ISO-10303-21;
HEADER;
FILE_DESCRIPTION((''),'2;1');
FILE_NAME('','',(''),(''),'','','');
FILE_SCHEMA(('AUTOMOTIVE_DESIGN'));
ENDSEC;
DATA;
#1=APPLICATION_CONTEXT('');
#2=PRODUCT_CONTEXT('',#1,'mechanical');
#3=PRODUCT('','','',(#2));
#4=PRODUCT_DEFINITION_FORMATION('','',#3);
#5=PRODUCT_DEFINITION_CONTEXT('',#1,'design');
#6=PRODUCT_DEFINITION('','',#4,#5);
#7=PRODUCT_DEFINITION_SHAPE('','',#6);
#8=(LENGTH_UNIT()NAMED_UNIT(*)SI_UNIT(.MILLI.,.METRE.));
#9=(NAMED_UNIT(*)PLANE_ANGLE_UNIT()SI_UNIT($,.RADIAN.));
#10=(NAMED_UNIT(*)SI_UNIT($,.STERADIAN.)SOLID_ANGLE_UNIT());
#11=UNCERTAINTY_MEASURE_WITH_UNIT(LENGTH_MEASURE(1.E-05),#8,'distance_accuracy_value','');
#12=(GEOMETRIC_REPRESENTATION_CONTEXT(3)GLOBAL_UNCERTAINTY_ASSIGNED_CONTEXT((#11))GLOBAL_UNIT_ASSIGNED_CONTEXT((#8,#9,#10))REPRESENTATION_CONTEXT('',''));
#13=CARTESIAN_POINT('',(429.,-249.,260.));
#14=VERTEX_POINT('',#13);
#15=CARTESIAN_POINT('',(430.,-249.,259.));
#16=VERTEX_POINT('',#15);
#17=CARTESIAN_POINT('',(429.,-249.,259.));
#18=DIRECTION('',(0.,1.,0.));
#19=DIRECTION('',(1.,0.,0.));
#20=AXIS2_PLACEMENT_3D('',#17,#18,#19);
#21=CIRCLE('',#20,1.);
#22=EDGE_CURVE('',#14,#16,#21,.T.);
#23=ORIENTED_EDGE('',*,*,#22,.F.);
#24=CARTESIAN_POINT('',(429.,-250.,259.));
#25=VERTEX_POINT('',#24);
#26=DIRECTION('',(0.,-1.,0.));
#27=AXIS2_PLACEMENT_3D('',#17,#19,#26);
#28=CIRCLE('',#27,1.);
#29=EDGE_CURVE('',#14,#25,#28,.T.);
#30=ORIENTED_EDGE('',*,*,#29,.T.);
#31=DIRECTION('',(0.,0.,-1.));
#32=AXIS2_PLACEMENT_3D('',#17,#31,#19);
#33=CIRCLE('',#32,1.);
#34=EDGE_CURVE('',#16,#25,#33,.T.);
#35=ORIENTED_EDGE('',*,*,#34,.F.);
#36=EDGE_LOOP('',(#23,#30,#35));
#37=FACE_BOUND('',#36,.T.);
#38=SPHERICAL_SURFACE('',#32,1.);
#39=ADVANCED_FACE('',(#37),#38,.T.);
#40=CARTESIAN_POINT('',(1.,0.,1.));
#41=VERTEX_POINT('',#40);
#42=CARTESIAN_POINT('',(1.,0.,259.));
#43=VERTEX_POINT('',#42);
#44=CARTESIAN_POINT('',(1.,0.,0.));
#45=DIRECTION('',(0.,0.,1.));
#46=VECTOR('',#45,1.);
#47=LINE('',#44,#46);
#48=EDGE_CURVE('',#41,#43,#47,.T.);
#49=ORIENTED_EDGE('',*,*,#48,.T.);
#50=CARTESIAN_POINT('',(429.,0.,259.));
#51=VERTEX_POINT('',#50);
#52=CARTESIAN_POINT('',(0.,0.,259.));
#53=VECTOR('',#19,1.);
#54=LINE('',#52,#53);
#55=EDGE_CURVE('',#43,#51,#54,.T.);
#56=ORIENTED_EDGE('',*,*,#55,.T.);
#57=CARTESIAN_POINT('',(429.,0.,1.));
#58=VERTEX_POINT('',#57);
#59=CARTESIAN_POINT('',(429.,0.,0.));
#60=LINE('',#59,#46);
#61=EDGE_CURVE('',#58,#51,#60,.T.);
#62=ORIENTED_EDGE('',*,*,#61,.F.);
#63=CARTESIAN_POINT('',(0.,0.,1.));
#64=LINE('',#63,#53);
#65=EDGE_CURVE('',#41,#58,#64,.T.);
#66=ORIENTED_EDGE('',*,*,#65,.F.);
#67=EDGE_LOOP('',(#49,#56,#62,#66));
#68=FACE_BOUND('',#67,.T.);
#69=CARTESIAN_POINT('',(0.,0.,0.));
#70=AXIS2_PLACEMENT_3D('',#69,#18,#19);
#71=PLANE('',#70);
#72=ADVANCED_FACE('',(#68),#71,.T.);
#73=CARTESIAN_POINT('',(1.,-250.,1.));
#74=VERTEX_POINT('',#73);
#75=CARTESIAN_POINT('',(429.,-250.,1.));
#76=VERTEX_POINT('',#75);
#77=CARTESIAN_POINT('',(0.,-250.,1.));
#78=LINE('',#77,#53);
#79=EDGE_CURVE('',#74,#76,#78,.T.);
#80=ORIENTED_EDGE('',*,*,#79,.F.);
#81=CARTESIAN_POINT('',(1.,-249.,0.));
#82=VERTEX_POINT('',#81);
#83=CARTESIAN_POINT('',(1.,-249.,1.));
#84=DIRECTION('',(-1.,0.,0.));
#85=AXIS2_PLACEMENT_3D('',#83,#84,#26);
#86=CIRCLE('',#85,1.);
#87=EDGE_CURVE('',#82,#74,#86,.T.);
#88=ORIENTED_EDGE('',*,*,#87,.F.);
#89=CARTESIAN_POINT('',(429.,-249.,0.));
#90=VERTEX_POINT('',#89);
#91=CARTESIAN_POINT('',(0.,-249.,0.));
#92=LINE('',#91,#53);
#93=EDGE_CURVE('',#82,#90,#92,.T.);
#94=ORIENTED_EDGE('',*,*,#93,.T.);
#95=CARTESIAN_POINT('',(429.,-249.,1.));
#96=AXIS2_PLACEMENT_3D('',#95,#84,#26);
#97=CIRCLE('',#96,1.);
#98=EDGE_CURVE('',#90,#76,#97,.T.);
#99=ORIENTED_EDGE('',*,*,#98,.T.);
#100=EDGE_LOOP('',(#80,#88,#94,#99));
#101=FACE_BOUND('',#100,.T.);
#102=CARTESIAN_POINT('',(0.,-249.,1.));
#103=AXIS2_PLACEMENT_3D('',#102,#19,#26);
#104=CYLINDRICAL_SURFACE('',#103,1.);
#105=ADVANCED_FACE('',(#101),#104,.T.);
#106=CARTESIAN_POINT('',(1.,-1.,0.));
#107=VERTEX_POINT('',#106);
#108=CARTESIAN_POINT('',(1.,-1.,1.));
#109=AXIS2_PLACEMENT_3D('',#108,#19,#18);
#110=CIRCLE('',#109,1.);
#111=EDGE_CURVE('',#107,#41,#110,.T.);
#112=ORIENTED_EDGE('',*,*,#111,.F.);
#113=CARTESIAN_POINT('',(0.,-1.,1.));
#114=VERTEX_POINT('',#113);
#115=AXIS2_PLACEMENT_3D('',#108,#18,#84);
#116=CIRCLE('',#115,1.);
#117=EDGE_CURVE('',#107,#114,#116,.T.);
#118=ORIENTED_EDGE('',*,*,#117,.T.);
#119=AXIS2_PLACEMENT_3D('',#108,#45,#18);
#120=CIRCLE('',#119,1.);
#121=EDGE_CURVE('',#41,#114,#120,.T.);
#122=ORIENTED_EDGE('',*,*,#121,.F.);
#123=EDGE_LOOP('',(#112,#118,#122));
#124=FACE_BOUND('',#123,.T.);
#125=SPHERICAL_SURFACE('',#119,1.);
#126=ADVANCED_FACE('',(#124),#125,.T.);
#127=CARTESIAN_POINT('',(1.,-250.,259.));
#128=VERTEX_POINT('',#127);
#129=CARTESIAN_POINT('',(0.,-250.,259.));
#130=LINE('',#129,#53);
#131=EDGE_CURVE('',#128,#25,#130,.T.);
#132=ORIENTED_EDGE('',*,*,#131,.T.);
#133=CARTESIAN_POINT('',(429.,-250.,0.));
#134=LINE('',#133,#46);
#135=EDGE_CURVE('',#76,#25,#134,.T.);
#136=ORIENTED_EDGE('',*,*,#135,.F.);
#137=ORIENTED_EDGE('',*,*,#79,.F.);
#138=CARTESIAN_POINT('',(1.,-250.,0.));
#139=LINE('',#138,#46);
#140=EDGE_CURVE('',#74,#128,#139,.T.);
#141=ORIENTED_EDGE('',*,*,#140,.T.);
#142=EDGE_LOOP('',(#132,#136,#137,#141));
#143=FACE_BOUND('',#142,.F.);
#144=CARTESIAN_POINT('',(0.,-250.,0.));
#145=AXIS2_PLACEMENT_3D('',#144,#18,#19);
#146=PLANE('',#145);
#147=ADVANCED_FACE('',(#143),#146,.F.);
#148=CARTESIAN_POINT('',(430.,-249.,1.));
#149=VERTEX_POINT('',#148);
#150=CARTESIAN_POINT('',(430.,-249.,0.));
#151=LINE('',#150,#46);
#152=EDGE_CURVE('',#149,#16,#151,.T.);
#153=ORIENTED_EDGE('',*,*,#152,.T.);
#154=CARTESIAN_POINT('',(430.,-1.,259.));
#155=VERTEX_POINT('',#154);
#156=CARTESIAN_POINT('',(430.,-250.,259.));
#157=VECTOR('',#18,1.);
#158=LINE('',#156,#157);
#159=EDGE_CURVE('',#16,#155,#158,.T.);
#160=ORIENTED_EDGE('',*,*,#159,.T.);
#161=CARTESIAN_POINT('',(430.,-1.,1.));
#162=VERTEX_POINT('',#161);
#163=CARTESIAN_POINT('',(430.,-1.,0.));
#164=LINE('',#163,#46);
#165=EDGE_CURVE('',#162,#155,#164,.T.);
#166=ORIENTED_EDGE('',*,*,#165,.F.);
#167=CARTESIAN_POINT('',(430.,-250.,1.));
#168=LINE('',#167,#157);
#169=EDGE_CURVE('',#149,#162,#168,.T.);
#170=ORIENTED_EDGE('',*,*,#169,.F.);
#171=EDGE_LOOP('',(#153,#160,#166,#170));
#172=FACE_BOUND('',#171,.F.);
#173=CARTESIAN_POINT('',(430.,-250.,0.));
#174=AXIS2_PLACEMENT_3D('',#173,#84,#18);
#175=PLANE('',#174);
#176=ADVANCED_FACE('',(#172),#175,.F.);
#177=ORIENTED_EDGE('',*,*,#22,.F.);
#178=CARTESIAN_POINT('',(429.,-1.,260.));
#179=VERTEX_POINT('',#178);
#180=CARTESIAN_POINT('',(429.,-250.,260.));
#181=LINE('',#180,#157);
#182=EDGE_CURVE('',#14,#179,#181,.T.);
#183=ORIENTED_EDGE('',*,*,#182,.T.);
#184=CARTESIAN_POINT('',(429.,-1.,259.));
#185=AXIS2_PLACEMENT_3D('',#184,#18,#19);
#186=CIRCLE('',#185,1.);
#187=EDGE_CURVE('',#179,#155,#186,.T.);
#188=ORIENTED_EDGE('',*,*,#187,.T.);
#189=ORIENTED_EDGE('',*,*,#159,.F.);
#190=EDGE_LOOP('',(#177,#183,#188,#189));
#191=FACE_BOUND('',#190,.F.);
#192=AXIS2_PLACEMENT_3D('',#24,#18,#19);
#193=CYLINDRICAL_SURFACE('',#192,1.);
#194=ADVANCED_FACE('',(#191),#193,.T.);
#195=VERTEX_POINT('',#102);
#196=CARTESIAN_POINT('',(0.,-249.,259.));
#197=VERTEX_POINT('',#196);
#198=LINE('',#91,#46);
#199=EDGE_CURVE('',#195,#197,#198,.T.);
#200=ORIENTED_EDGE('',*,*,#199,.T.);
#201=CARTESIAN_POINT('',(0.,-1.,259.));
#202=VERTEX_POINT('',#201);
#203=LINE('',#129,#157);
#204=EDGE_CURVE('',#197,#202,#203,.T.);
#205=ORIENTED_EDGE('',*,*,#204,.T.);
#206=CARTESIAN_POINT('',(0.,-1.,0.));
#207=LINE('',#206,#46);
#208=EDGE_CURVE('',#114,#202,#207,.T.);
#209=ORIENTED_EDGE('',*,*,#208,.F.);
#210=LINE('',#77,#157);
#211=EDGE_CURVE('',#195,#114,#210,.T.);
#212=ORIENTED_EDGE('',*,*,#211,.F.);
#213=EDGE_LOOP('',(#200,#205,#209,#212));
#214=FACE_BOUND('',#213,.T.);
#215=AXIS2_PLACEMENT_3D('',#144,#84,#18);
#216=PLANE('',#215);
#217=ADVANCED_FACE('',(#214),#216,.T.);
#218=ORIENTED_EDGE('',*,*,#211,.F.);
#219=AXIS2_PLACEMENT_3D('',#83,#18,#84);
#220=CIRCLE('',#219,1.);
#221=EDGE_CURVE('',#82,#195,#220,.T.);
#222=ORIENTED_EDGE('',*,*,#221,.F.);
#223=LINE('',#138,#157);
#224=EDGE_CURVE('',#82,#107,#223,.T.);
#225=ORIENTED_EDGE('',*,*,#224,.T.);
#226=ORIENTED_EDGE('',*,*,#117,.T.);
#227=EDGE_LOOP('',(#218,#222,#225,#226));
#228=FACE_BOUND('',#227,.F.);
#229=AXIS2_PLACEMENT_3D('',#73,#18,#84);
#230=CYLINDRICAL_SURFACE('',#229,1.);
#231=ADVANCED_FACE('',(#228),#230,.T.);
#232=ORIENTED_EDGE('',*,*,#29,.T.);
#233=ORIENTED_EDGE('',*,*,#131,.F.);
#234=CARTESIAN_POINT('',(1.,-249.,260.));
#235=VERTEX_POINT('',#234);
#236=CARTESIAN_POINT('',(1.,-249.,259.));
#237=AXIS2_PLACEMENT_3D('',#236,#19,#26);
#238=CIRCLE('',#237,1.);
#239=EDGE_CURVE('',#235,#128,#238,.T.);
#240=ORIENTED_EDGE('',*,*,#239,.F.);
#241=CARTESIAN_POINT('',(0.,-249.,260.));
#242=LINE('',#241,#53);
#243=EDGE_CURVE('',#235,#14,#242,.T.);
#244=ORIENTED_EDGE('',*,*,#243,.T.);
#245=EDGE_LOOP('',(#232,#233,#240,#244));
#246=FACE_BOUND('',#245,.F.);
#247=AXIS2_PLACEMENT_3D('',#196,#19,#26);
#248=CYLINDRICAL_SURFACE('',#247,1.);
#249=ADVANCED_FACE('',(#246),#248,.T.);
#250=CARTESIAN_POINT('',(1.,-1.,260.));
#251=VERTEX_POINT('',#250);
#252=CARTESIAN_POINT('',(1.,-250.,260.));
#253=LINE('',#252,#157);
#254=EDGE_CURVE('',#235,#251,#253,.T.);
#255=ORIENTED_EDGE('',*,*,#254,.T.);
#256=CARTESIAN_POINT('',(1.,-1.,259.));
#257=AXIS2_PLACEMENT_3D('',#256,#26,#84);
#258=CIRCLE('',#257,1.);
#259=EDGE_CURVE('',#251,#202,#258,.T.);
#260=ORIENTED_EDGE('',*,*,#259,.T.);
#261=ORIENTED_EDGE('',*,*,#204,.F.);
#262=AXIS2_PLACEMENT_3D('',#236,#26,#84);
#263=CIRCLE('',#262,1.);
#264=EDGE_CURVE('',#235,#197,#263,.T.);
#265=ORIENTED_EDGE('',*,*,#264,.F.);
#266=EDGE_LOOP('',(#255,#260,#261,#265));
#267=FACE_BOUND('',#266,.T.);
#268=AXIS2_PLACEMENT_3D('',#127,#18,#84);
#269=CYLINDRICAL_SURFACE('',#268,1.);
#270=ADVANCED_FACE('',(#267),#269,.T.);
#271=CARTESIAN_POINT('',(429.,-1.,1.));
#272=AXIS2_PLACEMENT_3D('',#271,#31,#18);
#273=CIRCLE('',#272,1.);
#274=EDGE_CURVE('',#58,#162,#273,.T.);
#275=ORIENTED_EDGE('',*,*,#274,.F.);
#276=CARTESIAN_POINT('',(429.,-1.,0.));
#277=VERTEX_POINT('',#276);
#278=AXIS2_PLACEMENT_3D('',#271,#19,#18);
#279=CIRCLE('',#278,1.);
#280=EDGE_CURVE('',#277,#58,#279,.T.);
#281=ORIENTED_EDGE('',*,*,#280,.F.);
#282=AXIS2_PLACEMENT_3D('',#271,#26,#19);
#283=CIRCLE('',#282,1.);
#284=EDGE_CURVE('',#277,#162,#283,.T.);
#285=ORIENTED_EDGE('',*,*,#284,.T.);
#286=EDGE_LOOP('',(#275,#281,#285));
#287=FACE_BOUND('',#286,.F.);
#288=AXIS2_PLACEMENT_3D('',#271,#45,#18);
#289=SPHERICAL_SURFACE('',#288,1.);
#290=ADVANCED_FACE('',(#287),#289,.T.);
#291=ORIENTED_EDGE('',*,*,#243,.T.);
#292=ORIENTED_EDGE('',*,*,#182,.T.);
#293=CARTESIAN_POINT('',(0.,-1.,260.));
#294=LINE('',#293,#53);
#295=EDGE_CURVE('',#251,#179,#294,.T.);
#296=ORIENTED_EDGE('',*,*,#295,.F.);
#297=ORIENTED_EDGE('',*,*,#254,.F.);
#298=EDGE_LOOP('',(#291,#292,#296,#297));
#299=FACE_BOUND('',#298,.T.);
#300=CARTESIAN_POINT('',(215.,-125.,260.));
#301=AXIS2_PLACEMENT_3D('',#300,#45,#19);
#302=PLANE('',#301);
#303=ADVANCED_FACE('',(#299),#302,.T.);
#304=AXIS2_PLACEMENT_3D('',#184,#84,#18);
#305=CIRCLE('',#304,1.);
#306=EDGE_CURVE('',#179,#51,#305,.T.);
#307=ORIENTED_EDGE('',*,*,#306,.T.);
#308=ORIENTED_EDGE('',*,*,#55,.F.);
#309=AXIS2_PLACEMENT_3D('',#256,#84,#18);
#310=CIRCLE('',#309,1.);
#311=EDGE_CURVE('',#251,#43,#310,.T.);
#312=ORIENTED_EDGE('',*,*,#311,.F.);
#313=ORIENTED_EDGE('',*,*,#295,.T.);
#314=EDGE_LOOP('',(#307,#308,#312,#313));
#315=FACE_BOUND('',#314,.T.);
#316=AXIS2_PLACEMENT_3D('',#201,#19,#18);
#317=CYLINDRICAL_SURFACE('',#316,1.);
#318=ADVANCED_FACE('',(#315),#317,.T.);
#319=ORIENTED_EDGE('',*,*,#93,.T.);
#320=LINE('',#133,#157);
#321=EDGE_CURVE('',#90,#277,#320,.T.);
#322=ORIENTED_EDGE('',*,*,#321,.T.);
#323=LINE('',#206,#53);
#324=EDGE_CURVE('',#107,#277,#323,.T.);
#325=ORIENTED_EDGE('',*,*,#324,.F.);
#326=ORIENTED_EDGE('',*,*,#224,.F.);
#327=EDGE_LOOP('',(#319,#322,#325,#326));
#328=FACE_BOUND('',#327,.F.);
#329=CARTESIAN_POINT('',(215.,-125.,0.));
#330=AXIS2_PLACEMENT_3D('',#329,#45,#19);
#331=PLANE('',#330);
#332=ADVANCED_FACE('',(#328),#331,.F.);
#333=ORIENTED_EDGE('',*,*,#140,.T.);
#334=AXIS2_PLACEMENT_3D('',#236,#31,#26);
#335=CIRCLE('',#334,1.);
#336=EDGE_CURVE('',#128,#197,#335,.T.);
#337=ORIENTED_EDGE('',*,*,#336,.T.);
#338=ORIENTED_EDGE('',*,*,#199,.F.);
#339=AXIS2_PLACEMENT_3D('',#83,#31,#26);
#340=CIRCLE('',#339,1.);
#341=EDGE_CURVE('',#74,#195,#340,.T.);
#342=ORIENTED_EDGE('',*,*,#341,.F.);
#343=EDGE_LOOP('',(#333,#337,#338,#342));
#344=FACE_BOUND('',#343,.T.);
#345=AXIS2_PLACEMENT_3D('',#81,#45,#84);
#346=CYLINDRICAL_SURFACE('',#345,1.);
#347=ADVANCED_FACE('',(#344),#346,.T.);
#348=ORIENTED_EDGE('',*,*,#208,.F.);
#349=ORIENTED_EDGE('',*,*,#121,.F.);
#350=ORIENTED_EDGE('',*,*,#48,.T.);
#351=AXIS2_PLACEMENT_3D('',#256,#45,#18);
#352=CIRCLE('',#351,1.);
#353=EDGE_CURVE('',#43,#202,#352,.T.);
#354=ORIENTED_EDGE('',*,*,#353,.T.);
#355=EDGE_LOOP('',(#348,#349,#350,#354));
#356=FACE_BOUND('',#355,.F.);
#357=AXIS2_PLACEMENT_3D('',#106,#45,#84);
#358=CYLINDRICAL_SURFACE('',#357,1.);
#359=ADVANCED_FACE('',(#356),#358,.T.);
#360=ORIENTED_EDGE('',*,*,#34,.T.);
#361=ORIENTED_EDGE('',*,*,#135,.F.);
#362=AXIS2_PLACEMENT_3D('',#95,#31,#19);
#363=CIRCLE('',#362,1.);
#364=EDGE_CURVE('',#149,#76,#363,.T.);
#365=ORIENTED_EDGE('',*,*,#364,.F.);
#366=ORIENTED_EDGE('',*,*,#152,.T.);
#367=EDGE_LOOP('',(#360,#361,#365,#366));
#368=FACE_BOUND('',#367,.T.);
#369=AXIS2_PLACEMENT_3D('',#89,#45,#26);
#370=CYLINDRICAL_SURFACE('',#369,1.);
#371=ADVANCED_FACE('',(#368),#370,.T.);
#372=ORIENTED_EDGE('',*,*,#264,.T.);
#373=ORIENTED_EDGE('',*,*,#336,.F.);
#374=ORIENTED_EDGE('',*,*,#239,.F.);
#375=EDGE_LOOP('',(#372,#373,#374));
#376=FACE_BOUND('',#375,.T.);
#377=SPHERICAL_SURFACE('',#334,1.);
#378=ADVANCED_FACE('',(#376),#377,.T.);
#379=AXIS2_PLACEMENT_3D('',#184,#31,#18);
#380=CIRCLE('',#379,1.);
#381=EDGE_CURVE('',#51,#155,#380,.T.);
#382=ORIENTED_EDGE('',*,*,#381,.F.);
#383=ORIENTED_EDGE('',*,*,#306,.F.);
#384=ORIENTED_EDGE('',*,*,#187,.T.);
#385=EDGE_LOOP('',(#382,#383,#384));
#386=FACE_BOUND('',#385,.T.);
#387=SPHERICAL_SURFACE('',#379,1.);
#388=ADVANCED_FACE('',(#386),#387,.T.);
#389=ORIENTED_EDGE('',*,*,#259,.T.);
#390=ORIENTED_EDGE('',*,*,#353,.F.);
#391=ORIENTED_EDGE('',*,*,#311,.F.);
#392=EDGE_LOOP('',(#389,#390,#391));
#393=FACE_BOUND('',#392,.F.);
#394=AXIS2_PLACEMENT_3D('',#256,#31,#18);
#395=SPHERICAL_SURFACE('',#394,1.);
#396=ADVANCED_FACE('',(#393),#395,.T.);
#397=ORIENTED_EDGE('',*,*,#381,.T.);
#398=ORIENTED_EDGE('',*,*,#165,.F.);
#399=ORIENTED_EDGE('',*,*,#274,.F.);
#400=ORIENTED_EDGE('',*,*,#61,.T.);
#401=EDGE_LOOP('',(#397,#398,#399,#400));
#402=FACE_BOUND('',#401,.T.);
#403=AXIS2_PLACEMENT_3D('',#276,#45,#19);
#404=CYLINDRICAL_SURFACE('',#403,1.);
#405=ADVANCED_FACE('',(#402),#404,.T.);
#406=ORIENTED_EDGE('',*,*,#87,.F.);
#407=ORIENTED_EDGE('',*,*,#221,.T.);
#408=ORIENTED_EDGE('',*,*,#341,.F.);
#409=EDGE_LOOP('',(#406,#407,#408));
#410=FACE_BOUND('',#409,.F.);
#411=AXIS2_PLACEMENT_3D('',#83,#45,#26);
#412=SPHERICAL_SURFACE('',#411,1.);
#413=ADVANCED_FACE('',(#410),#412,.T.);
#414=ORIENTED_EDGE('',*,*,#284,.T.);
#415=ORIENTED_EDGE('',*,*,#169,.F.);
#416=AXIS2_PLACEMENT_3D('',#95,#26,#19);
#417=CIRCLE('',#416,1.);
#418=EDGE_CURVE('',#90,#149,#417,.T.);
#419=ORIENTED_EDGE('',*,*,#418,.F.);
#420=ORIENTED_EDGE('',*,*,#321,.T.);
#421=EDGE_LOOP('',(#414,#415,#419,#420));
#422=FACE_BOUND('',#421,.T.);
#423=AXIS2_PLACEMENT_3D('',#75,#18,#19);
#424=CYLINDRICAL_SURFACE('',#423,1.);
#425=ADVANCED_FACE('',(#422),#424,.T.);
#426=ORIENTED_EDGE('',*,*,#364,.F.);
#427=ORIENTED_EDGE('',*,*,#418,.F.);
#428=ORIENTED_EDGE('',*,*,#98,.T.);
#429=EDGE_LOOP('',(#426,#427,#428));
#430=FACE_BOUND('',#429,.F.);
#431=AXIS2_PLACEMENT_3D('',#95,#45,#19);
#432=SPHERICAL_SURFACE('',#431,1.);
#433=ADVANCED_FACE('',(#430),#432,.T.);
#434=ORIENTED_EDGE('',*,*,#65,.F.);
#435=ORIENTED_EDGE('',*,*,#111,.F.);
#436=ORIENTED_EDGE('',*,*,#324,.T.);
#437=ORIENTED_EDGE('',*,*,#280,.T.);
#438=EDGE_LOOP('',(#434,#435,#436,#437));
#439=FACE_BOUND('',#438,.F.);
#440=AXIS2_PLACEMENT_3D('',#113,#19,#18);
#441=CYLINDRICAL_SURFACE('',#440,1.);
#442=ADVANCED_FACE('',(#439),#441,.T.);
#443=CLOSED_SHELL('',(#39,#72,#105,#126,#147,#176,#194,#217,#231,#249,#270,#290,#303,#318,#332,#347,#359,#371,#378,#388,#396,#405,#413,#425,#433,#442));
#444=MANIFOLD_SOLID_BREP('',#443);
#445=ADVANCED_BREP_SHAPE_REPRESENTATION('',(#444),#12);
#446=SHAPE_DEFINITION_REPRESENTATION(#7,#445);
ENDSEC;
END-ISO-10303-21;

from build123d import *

# Parameters (mm, degrees)
SKETCH_W  = 430
SKETCH_H  = 250
PAD_DEPTH = 260
FILLET_R  = 1


with BuildPart() as part:
    # Sketch → Pad (new body)
    with BuildSketch(Plane.XY):
        with Locations((215, -125)):
            Rectangle(SKETCH_W, SKETCH_H)
    extrude(amount=PAD_DEPTH)

    # Fillet
    fillet_edges = [part.edges().sort_by_distance(p)[0] for p in [
        (0, 0, 130),
        (430, 0, 130),
        (215, 0, 0),
        (215, 0, 260),
        (430, -250, 130),
        (430, -125, 0),
        (430, -125, 260),
        (0, -250, 130),
        (215, -250, 0),
        (215, -250, 260),
        (0, -125, 0),
        (0, -125, 260),
    ]]
    fillet(fillet_edges, radius=FILLET_R)


solid = part.part
